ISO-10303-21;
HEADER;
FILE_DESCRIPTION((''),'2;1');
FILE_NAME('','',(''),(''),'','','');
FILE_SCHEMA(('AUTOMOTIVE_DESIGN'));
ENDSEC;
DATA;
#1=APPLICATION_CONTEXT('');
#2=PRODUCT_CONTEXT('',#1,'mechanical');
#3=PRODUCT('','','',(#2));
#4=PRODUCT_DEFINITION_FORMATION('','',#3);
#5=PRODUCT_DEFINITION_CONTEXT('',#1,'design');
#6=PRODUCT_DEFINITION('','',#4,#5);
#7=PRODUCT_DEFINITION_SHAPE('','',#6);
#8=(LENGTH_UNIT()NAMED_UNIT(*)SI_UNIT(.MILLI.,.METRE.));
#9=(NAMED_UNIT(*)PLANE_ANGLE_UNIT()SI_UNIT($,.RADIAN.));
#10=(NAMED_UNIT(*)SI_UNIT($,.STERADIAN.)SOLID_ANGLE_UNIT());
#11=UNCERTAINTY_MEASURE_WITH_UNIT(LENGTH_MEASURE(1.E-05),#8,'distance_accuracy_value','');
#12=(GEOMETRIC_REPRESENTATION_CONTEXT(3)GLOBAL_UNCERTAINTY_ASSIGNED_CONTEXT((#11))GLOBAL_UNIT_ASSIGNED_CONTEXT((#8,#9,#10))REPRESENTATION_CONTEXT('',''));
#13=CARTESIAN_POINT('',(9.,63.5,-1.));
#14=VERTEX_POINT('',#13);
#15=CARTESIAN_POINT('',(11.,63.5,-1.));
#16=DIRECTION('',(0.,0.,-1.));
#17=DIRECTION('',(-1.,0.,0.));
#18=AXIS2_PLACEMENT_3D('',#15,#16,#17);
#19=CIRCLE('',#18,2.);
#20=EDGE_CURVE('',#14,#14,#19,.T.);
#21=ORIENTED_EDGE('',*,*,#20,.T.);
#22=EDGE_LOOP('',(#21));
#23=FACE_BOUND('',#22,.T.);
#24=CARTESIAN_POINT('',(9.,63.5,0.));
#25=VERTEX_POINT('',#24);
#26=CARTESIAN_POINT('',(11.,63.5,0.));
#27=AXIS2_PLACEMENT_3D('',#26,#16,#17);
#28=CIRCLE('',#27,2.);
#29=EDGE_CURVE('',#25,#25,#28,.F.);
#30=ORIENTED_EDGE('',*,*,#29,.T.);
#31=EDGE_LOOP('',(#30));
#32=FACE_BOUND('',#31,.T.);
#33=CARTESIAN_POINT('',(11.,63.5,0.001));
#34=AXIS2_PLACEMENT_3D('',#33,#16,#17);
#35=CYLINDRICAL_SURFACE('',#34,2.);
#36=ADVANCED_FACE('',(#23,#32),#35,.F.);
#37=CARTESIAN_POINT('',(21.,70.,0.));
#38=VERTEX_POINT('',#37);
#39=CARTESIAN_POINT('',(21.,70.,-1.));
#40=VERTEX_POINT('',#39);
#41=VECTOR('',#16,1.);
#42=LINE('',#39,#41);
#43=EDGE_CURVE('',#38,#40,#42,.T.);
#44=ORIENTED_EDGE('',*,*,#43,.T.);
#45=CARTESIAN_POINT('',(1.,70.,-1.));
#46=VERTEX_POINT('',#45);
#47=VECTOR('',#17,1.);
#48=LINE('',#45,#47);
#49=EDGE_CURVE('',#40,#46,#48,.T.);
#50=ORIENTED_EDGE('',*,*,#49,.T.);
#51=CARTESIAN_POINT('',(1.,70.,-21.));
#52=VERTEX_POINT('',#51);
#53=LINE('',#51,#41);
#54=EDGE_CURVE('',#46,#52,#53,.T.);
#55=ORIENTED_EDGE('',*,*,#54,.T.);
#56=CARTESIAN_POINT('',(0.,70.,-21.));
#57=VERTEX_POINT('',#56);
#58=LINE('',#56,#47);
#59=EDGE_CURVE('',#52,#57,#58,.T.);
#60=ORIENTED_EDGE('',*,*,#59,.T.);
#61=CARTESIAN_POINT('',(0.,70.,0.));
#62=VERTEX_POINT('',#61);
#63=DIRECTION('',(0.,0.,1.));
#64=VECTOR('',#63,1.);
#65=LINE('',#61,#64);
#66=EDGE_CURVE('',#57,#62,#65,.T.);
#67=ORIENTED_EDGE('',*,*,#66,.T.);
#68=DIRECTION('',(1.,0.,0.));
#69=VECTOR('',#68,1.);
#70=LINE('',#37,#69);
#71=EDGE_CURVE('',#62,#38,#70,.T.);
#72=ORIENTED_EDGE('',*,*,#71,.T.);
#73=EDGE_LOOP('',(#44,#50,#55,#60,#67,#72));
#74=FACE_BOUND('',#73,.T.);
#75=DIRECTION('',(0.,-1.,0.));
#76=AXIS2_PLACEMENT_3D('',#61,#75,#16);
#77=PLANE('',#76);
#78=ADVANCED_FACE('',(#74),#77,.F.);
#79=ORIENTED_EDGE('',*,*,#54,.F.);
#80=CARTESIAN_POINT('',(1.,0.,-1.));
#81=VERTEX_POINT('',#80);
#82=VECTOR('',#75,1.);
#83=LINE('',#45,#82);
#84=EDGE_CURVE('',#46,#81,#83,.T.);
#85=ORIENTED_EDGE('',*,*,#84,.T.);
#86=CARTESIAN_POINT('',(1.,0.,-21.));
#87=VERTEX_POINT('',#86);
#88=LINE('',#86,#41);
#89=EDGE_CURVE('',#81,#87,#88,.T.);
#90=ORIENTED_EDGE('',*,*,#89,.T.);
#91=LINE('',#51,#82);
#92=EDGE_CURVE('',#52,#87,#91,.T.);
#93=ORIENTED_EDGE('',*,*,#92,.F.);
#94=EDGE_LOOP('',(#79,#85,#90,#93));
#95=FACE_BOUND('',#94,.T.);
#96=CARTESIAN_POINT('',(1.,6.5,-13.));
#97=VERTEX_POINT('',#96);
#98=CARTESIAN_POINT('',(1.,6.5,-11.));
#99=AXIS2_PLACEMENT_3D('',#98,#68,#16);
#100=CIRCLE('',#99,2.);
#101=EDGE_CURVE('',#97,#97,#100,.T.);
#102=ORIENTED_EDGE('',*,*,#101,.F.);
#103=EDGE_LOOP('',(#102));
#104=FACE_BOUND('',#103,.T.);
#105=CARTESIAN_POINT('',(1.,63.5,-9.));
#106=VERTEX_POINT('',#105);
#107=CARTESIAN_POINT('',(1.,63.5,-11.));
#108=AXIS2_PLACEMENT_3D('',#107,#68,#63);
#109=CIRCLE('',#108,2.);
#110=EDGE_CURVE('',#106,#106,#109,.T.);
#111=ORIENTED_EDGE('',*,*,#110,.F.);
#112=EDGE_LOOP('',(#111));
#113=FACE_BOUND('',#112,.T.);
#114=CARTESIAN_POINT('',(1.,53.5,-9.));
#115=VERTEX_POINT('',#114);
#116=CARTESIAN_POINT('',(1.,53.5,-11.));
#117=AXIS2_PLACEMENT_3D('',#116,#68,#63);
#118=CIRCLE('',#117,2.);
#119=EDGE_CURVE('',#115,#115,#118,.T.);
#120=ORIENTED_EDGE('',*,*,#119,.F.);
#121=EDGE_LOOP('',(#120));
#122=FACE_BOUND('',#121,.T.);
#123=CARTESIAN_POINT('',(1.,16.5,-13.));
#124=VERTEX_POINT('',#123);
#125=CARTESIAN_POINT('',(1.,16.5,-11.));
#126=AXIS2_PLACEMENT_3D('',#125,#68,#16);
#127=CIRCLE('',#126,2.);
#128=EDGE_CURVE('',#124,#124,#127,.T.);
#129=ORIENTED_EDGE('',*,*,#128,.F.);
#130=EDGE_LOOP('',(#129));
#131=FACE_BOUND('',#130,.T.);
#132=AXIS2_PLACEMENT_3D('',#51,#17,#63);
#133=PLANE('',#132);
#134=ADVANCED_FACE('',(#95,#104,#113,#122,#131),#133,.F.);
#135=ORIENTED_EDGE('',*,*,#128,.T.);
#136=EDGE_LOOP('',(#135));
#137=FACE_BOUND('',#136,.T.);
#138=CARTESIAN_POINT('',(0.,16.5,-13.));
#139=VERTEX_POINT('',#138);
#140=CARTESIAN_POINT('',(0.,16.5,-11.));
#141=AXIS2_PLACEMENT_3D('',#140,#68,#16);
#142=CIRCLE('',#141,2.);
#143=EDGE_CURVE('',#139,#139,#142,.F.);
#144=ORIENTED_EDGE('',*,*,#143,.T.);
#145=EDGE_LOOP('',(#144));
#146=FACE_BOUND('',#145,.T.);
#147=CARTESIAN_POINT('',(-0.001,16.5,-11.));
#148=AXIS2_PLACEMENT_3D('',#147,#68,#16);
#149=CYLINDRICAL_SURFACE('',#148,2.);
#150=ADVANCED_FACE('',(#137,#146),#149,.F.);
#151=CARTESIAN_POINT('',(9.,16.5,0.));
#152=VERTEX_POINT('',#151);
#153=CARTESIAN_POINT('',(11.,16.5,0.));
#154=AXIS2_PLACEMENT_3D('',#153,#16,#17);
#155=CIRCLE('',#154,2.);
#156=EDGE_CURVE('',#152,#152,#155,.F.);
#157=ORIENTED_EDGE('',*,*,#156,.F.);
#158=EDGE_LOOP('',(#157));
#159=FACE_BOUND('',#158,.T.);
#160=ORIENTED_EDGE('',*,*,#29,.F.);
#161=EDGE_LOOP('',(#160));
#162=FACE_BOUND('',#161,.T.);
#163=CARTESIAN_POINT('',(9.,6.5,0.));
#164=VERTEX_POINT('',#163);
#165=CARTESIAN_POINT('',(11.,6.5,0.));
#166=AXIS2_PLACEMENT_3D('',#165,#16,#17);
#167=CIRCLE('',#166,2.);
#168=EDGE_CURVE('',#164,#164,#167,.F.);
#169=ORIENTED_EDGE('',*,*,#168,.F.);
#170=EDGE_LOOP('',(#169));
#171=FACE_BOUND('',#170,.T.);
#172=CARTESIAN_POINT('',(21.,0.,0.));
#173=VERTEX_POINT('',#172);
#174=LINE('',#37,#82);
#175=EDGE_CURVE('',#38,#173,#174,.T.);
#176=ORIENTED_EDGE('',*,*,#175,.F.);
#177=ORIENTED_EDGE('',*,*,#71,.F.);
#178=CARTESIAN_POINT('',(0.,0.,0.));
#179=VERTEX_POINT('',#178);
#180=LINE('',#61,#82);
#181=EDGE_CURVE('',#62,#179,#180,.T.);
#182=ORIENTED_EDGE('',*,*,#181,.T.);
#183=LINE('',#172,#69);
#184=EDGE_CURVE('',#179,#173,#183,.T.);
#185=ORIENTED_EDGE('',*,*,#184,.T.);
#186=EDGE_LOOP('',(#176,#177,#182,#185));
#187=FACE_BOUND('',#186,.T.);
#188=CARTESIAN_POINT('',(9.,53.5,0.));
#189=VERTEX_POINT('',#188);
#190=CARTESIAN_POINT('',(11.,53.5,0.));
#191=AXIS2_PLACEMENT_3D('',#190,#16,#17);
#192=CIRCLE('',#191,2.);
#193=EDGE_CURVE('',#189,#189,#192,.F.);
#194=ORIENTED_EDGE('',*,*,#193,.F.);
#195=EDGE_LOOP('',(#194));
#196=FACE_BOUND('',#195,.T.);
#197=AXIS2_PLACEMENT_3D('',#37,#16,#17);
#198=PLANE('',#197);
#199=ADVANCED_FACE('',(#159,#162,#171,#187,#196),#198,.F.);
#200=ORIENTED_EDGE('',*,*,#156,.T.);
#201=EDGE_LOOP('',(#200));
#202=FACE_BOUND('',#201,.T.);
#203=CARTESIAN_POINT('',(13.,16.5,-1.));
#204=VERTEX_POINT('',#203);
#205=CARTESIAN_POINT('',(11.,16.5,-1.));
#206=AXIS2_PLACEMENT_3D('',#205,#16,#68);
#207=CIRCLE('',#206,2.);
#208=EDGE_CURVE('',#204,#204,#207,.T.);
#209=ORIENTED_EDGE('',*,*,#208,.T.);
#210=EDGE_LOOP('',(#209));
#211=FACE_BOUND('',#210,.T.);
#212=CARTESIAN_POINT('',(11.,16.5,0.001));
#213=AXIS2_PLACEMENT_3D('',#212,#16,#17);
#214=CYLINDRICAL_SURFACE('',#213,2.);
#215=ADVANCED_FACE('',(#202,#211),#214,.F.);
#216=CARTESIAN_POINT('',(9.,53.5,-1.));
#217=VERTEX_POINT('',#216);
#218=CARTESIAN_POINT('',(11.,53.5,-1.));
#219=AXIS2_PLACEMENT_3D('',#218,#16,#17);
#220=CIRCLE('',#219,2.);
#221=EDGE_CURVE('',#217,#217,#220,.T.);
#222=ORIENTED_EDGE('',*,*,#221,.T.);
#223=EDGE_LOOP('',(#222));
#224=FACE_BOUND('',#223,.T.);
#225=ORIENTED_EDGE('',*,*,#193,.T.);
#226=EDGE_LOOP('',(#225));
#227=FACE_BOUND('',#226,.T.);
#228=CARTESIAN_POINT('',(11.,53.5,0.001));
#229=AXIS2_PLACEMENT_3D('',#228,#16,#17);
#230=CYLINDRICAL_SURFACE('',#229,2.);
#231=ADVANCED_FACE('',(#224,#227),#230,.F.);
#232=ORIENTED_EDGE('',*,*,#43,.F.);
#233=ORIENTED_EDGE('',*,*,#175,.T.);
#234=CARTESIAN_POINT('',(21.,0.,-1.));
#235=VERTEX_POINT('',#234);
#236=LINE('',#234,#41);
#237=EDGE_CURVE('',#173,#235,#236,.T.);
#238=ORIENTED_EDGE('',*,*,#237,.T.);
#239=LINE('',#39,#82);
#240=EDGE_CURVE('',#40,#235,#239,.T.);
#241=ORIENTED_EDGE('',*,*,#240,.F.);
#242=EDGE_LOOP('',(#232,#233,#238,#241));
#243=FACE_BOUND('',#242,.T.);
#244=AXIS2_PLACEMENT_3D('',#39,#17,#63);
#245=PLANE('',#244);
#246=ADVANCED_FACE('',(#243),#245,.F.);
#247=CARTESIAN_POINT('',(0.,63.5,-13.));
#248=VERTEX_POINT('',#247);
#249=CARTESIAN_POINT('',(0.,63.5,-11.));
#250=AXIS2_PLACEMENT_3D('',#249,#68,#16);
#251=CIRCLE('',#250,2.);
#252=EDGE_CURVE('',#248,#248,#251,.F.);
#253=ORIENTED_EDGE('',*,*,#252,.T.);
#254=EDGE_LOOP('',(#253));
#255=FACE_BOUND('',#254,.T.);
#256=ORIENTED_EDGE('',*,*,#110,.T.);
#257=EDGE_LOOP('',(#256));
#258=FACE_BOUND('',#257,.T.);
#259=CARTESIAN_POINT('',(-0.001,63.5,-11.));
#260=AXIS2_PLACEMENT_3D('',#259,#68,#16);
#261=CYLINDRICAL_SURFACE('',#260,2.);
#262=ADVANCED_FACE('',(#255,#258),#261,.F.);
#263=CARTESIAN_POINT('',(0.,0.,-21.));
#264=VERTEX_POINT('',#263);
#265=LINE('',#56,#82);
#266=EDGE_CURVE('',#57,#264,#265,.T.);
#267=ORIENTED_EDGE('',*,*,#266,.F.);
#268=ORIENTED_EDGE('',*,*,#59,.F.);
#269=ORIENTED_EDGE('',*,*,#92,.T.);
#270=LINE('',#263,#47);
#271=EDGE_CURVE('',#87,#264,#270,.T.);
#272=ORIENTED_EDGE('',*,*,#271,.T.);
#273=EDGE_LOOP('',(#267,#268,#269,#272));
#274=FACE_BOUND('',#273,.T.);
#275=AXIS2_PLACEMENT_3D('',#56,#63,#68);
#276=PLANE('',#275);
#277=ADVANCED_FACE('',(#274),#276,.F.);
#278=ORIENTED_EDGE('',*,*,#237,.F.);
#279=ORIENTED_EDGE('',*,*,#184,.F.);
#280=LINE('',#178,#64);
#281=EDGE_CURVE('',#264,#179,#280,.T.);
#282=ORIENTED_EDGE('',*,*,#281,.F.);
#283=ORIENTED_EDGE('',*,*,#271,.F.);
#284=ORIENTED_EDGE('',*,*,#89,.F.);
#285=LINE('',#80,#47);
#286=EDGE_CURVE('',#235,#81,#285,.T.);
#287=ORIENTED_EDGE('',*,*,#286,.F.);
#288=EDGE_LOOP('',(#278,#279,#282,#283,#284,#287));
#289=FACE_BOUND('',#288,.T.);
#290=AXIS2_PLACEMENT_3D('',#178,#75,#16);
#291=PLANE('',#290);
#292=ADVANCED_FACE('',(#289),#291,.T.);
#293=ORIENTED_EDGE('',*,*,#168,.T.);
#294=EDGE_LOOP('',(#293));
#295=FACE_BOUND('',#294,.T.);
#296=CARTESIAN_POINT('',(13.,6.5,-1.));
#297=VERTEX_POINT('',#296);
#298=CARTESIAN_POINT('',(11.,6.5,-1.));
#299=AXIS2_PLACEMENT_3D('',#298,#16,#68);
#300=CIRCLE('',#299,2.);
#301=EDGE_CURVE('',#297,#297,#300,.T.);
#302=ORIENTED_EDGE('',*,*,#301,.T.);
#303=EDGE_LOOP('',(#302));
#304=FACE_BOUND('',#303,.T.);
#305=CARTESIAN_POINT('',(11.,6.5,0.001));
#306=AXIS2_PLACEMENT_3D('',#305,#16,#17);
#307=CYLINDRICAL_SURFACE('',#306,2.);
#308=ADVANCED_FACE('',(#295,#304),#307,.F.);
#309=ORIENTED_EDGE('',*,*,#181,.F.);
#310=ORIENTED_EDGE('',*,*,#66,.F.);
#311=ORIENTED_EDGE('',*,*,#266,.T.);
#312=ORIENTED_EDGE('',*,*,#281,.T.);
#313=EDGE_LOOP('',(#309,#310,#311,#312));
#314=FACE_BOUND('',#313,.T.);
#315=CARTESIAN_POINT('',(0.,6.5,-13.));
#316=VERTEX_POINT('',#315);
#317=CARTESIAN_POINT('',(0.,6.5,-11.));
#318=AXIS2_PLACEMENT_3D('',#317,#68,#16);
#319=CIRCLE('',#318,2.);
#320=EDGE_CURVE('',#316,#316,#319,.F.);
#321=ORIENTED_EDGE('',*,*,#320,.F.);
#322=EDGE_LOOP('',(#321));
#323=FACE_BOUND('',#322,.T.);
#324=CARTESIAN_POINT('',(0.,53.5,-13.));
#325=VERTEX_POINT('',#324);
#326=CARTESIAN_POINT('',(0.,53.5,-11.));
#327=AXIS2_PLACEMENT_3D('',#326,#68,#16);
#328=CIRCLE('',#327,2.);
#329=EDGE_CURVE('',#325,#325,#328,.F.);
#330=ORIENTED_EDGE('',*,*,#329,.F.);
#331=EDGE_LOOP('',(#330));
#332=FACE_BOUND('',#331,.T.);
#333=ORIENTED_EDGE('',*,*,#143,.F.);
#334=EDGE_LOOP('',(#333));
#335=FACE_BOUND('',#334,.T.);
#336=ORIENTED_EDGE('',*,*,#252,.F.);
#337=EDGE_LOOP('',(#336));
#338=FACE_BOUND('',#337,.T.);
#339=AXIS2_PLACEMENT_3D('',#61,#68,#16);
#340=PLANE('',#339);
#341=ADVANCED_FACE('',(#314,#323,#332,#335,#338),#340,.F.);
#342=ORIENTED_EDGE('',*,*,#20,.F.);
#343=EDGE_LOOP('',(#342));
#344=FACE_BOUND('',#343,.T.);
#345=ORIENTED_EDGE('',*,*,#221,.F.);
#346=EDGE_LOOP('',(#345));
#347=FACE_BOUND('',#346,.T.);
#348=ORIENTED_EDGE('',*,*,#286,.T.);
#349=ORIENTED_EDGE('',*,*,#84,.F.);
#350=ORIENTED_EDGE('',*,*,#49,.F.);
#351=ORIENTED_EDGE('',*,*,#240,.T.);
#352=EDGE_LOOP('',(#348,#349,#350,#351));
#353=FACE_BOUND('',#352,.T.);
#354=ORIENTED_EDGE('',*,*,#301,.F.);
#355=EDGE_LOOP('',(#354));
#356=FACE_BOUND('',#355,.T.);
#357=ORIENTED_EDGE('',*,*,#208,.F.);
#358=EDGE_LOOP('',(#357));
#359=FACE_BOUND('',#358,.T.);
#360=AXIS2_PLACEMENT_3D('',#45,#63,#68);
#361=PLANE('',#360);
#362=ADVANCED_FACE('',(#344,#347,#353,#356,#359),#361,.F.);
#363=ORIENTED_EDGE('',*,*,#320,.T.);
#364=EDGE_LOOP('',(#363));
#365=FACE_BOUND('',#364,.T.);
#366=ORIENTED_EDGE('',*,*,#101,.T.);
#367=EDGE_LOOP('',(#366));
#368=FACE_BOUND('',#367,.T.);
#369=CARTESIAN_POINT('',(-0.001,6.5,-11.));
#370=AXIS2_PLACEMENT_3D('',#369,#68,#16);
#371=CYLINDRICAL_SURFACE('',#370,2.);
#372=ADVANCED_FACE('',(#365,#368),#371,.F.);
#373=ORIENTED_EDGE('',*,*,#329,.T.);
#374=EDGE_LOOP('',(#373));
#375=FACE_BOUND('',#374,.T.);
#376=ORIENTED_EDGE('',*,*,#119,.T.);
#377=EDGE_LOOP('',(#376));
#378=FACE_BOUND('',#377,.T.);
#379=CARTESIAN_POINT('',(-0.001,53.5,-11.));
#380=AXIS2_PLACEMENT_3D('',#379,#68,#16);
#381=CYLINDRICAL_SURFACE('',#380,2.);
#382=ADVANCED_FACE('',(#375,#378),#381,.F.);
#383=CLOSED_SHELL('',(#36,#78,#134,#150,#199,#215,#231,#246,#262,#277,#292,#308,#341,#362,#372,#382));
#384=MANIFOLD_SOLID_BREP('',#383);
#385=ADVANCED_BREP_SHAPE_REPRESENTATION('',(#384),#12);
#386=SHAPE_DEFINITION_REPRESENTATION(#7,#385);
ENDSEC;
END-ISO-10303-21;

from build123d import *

# Parameters (mm, degrees)
EXTRUSION1_DEPTH = 70
EXTRUSION2_REACH = 3
ESQUISSE2_R      = 2
EXTRUSION3_REACH = 3
ESQUISSE3_R      = 2


with BuildPart() as part:
    # Esquisse1 → Extrusion1 (new body)
    with BuildSketch(Plane(origin=(0, 0, 0), x_dir=(1, 0, 0), z_dir=(0, 1, 0))):
        Polygon((0, 0), (0, 21), (1, 21), (1, 1), (21, 1), (21, 0), align=None)
    extrude(amount=EXTRUSION1_DEPTH)

    # Esquisse2 → Extrusion2 (cut, up to next)
    with BuildSketch(Plane(origin=(1, 0, 0), x_dir=(0, 0, -1), z_dir=(1, 0, 0)), mode=Mode.PRIVATE) as extrusion2_sk1:
        with Locations((11, 16.5)):
            Circle(ESQUISSE2_R)
    extrusion2_tool1 = extrude(extrusion2_sk1.sketch, amount=-EXTRUSION2_REACH, mode=Mode.PRIVATE) & part.part
    add(extrusion2_tool1.solids().sort_by_distance((1, 16.5, -11))[0], mode=Mode.SUBTRACT)
    # Esquisse2 → Extrusion2 (cut, up to next)
    with BuildSketch(Plane(origin=(1, 0, 0), x_dir=(0, 0, -1), z_dir=(1, 0, 0)), mode=Mode.PRIVATE) as extrusion2_sk2:
        with Locations((11, 6.5)):
            Circle(ESQUISSE2_R)
    extrusion2_tool2 = extrude(extrusion2_sk2.sketch, amount=-EXTRUSION2_REACH, mode=Mode.PRIVATE) & part.part
    add(extrusion2_tool2.solids().sort_by_distance((1, 6.5, -11))[0], mode=Mode.SUBTRACT)
    # Esquisse2 → Extrusion2 (cut, up to next)
    with BuildSketch(Plane(origin=(1, 0, 0), x_dir=(0, 0, -1), z_dir=(1, 0, 0)), mode=Mode.PRIVATE) as extrusion2_sk3:
        with Locations((11, 53.5)):
            Circle(ESQUISSE2_R)
    extrusion2_tool3 = extrude(extrusion2_sk3.sketch, amount=-EXTRUSION2_REACH, mode=Mode.PRIVATE) & part.part
    add(extrusion2_tool3.solids().sort_by_distance((1, 53.5, -11))[0], mode=Mode.SUBTRACT)
    # Esquisse2 → Extrusion2 (cut, up to next)
    with BuildSketch(Plane(origin=(1, 0, 0), x_dir=(0, 0, -1), z_dir=(1, 0, 0)), mode=Mode.PRIVATE) as extrusion2_sk4:
        with Locations((11, 63.5)):
            Circle(ESQUISSE2_R)
    extrusion2_tool4 = extrude(extrusion2_sk4.sketch, amount=-EXTRUSION2_REACH, mode=Mode.PRIVATE) & part.part
    add(extrusion2_tool4.solids().sort_by_distance((1, 63.5, -11))[0], mode=Mode.SUBTRACT)

    # Esquisse3 → Extrusion3 (cut, up to next)
    with BuildSketch(Plane(origin=(0, 0, -1), x_dir=(-1, 0, 0), z_dir=(0, 0, -1)), mode=Mode.PRIVATE) as extrusion3_sk1:
        with Locations((-11, 53.5)):
            Circle(ESQUISSE3_R)
    extrusion3_tool1 = extrude(extrusion3_sk1.sketch, amount=-EXTRUSION3_REACH, mode=Mode.PRIVATE) & part.part
    add(extrusion3_tool1.solids().sort_by_distance((11, 53.5, -1))[0], mode=Mode.SUBTRACT)
    # Esquisse3 → Extrusion3 (cut, up to next)
    with BuildSketch(Plane(origin=(0, 0, -1), x_dir=(-1, 0, 0), z_dir=(0, 0, -1)), mode=Mode.PRIVATE) as extrusion3_sk2:
        with Locations((-11, 63.5)):
            Circle(ESQUISSE3_R)
    extrusion3_tool2 = extrude(extrusion3_sk2.sketch, amount=-EXTRUSION3_REACH, mode=Mode.PRIVATE) & part.part
    add(extrusion3_tool2.solids().sort_by_distance((11, 63.5, -1))[0], mode=Mode.SUBTRACT)
    # Esquisse3 → Extrusion3 (cut, up to next)
    with BuildSketch(Plane(origin=(0, 0, -1), x_dir=(-1, 0, 0), z_dir=(0, 0, -1)), mode=Mode.PRIVATE) as extrusion3_sk3:
        with Locations((-11, 6.5)):
            Circle(ESQUISSE3_R)
    extrusion3_tool3 = extrude(extrusion3_sk3.sketch, amount=-EXTRUSION3_REACH, mode=Mode.PRIVATE) & part.part
    add(extrusion3_tool3.solids().sort_by_distance((11, 6.5, -1))[0], mode=Mode.SUBTRACT)
    # Esquisse3 → Extrusion3 (cut, up to next)
    with BuildSketch(Plane(origin=(0, 0, -1), x_dir=(-1, 0, 0), z_dir=(0, 0, -1)), mode=Mode.PRIVATE) as extrusion3_sk4:
        with Locations((-11, 16.5)):
            Circle(ESQUISSE3_R)
    extrusion3_tool4 = extrude(extrusion3_sk4.sketch, amount=-EXTRUSION3_REACH, mode=Mode.PRIVATE) & part.part
    add(extrusion3_tool4.solids().sort_by_distance((11, 16.5, -1))[0], mode=Mode.SUBTRACT)


solid = part.part
